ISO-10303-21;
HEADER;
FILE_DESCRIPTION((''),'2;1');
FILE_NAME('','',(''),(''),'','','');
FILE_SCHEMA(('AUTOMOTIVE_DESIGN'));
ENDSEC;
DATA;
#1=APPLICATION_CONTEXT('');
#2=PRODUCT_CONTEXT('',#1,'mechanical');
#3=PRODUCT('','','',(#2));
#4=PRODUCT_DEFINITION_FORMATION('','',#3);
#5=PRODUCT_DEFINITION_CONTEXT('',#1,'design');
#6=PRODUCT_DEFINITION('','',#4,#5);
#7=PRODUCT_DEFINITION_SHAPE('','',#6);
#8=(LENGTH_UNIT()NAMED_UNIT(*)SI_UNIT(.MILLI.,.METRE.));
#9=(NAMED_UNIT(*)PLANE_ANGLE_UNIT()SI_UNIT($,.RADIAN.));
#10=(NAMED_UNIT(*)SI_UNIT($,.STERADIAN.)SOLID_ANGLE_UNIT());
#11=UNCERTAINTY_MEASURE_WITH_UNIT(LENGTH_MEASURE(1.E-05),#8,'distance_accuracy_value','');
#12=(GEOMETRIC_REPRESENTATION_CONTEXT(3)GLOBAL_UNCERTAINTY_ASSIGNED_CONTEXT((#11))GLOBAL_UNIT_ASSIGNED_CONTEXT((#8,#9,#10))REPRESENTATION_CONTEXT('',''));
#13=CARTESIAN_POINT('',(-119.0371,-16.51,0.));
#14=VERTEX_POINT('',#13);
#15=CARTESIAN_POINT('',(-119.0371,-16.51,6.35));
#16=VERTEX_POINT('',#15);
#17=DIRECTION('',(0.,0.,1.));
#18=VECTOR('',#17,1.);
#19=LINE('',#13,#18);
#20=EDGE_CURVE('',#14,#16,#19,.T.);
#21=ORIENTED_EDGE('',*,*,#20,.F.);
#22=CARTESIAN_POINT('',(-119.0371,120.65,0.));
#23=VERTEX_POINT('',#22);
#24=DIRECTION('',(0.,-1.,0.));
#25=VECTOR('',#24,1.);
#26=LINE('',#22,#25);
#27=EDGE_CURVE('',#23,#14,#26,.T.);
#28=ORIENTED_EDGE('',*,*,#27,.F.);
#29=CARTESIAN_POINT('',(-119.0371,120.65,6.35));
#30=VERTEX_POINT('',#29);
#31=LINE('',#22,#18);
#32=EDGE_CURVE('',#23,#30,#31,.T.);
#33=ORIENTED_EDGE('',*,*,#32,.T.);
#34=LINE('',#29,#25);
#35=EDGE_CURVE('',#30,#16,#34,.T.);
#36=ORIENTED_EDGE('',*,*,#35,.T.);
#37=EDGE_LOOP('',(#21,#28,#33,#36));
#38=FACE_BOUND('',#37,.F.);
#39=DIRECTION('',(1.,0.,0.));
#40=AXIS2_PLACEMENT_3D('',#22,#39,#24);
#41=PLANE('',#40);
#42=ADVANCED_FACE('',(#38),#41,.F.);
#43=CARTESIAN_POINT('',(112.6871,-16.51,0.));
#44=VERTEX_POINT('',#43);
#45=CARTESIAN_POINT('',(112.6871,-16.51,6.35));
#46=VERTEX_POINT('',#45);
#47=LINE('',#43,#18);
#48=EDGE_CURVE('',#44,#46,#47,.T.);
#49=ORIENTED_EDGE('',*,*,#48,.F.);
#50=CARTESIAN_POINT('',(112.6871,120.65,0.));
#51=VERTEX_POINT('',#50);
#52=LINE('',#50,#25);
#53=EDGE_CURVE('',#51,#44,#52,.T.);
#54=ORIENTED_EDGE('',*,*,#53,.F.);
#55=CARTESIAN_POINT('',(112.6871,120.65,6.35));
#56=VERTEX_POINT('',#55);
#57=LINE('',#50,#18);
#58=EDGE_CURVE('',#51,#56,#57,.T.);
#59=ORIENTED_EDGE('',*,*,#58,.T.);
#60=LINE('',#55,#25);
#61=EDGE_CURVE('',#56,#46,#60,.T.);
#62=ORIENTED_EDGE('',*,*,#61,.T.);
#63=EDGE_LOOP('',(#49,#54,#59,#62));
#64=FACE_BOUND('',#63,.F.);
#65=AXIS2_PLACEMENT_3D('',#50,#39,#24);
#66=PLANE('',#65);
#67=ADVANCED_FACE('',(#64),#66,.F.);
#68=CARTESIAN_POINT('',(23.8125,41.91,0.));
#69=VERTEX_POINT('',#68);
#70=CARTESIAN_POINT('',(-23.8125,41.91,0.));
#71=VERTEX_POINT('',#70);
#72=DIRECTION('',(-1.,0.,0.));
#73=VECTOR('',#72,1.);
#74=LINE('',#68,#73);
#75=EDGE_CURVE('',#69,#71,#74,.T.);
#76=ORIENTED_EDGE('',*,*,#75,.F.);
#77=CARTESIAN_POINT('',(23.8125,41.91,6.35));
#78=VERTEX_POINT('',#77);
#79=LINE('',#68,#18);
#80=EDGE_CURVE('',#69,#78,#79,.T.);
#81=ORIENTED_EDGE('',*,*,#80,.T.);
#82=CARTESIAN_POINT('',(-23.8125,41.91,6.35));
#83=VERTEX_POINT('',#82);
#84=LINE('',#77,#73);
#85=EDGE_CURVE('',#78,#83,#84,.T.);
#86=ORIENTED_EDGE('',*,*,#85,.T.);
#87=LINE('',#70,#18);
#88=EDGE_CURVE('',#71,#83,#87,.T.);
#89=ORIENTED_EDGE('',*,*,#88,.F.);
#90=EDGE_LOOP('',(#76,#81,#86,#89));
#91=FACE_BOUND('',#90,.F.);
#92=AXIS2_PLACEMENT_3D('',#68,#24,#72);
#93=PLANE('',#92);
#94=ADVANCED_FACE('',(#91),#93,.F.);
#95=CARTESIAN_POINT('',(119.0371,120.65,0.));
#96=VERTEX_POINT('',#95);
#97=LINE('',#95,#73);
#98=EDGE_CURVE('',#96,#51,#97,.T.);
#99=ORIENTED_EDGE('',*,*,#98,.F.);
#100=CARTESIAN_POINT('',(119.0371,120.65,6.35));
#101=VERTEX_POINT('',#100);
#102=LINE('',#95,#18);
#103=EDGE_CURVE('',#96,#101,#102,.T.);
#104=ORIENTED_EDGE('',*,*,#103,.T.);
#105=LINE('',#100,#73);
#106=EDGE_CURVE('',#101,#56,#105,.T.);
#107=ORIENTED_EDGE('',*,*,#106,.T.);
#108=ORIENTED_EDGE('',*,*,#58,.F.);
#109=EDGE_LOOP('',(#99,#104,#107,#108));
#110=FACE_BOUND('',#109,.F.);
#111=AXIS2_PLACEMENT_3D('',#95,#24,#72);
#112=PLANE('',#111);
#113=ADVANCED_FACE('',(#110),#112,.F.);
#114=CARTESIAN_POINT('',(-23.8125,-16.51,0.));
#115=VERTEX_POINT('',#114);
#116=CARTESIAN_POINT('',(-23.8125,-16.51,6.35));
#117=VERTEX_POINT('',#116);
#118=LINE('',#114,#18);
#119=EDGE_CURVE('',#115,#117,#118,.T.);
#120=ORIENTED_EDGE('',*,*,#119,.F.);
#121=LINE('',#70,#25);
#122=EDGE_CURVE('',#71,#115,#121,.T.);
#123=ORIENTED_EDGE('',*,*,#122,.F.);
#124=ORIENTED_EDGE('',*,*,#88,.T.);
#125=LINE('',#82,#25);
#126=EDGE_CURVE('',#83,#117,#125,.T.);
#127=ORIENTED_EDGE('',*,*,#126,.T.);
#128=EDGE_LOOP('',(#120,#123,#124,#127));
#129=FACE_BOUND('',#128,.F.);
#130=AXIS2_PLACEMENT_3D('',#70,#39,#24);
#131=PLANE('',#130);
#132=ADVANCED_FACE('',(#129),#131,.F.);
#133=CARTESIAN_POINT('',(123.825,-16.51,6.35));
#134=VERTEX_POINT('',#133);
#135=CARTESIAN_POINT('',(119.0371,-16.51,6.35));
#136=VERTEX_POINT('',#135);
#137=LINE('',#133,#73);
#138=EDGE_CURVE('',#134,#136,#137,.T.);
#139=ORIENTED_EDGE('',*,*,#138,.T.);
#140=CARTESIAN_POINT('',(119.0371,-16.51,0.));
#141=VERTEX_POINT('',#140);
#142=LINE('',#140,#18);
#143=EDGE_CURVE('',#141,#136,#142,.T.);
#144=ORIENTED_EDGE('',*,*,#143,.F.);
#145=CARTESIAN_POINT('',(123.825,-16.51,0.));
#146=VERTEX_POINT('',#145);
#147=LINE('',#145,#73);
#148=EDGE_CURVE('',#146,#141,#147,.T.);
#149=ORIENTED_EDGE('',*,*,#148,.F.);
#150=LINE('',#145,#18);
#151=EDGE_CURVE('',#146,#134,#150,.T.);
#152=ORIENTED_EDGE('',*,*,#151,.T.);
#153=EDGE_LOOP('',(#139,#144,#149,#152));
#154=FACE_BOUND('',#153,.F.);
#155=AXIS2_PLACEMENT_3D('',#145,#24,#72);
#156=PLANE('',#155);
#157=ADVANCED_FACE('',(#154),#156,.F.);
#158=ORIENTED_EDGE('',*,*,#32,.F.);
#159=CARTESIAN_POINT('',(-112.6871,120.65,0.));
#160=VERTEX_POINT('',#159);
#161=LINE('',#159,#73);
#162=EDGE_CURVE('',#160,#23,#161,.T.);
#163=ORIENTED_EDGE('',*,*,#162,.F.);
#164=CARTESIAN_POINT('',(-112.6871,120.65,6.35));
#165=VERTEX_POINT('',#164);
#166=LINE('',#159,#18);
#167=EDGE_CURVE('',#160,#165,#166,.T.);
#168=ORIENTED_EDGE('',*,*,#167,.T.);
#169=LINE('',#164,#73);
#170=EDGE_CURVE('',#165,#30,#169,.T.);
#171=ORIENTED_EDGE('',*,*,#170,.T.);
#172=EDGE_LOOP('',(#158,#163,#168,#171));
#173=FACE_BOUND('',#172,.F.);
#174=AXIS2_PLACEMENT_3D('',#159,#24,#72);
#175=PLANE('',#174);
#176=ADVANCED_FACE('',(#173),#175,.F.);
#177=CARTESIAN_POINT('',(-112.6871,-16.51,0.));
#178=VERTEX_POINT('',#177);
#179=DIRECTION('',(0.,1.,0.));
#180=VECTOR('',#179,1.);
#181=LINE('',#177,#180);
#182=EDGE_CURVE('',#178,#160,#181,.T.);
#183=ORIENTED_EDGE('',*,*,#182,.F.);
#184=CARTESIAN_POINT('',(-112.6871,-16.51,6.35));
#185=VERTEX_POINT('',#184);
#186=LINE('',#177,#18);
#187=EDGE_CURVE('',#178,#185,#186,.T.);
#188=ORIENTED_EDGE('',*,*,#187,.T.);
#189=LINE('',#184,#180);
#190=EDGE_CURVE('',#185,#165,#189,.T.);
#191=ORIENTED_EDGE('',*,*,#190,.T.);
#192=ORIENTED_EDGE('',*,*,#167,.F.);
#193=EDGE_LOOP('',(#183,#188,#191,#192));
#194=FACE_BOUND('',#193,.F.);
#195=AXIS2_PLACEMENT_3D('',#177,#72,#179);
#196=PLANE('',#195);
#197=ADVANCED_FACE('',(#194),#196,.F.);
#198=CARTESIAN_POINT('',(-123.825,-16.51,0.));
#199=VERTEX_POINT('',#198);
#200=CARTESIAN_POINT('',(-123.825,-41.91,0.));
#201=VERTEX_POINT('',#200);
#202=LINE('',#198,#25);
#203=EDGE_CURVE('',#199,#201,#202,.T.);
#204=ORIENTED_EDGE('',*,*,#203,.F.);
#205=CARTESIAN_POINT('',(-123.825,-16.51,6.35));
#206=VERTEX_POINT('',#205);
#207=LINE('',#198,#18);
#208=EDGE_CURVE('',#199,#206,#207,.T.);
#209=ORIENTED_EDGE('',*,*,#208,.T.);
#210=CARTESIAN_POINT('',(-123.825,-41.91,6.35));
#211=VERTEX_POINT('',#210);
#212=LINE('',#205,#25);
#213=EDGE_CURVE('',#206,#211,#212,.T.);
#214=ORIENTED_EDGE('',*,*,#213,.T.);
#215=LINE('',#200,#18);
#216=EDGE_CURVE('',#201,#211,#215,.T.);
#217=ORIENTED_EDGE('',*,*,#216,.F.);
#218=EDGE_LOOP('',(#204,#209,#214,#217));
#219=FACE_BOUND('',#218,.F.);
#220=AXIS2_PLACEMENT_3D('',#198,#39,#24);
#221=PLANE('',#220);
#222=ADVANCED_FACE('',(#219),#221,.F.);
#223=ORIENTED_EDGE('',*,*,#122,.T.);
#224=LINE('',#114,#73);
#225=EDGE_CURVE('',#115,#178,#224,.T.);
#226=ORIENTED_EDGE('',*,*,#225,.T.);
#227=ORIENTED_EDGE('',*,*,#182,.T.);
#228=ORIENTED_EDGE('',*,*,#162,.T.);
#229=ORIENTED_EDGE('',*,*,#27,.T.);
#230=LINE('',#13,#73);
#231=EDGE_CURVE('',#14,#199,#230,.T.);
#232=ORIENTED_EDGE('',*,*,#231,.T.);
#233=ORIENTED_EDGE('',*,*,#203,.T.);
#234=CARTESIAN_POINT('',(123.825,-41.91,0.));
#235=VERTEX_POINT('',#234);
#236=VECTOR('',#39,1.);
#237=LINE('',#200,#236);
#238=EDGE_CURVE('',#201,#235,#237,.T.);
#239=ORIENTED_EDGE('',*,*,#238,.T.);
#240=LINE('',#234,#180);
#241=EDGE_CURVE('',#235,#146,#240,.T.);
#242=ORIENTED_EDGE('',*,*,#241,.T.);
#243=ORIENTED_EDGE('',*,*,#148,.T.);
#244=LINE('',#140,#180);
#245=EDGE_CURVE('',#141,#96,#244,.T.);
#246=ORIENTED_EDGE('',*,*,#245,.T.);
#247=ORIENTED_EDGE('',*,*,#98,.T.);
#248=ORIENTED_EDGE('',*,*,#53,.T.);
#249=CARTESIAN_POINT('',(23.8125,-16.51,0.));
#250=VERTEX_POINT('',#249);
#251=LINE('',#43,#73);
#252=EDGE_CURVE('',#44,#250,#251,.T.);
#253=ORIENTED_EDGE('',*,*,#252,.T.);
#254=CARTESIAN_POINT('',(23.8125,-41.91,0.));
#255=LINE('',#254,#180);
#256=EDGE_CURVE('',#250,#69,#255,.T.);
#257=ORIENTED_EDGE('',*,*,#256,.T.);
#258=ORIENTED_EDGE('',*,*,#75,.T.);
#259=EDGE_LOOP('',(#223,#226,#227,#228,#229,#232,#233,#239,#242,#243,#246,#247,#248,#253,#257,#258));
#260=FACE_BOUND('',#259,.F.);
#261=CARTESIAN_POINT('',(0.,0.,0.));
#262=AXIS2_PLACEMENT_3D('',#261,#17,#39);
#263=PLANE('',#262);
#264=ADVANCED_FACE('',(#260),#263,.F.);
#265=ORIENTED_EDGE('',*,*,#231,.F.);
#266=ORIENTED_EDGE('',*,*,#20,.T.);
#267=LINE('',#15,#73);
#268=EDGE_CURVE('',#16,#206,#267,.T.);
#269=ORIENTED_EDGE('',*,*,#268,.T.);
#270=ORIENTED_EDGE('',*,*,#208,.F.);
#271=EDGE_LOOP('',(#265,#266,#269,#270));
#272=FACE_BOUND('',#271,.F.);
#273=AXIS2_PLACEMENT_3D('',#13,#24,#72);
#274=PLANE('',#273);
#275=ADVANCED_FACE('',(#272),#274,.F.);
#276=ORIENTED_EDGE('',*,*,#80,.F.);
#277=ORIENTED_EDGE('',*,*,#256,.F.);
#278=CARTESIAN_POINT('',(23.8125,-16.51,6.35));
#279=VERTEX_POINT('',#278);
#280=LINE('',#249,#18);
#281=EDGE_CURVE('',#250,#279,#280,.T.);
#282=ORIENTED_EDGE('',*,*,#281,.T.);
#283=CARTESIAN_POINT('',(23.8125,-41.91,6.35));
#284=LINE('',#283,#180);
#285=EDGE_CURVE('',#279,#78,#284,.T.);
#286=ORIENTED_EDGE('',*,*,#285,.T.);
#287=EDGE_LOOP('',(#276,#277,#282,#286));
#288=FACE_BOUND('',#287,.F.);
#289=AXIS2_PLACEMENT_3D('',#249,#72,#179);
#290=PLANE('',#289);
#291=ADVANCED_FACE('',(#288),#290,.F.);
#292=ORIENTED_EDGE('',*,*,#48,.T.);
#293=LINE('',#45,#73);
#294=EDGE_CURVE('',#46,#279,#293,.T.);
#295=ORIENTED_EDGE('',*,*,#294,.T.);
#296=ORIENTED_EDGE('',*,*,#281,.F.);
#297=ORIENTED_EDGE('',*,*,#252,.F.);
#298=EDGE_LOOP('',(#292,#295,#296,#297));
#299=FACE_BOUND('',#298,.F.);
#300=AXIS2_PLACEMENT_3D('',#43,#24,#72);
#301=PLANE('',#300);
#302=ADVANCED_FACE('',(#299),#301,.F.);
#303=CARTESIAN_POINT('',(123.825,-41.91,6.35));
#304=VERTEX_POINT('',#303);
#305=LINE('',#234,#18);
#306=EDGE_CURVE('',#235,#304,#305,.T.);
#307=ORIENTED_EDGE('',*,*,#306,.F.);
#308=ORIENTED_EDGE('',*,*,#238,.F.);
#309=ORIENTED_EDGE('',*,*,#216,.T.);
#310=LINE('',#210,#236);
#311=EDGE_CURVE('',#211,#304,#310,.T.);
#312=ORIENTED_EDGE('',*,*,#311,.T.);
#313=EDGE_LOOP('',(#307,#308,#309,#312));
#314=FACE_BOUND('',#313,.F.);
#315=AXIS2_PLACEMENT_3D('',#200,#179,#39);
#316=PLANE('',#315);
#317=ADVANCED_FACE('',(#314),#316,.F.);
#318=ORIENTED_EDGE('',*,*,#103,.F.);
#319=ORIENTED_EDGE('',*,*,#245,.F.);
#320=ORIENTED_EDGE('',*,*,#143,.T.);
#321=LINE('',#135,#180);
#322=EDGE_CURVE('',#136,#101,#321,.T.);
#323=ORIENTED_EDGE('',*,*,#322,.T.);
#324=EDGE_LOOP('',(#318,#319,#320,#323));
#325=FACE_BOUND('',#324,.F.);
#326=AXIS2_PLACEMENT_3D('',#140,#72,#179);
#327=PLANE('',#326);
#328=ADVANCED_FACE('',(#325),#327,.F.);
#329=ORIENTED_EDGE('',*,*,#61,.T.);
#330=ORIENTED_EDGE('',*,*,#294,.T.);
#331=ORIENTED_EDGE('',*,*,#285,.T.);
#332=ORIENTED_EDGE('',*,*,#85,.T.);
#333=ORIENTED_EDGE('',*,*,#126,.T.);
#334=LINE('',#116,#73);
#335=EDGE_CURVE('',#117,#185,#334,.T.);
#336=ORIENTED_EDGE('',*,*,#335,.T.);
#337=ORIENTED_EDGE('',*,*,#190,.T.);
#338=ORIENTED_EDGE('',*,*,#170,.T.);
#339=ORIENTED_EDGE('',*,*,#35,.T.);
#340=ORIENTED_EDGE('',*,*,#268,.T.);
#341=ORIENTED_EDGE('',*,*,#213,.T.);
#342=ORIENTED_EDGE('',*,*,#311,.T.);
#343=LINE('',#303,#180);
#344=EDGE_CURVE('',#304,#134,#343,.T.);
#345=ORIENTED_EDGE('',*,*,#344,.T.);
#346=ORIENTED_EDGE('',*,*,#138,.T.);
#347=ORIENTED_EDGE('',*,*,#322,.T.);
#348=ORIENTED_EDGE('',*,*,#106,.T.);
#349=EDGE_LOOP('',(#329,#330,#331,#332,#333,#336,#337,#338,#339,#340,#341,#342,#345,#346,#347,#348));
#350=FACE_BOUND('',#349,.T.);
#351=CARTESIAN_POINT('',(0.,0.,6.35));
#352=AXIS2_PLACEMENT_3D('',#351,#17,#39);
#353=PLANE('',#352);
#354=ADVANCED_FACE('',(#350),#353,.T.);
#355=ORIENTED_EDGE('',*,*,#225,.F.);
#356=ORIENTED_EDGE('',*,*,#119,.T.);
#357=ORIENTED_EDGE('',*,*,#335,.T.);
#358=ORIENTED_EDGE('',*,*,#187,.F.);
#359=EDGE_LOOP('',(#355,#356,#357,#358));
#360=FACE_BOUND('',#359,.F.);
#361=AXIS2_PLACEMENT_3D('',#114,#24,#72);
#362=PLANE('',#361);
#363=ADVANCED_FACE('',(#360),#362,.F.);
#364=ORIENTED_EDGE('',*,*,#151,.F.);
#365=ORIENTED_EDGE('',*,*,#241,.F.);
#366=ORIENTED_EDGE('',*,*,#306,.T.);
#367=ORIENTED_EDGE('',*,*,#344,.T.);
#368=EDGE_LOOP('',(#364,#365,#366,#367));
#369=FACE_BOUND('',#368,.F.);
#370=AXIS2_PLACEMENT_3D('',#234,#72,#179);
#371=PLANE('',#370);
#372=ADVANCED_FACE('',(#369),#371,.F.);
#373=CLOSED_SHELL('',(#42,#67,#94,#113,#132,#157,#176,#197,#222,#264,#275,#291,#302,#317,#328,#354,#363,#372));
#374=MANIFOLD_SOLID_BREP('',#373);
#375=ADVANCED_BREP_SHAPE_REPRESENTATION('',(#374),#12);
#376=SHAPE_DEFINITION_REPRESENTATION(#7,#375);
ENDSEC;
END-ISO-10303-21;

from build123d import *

# Parameters (mm, degrees)
F1_DEPTH = 6.35


with BuildPart() as f1:
    # F0 (on Top) → F1 (new body)
    with BuildSketch(Plane.XY):
        Polygon((23.8125, 41.91), (-23.8125, 41.91), (-23.8125, -16.51), (-23.8125, -41.91), (23.8125, -41.91), (23.8125, -16.51), align=None)
        Polygon((-23.8125, -41.91), (-23.8125, -16.51), (-112.6871, -16.51), (-112.6871, 120.65), (-119.0371, 120.65), (-119.0371, -16.51), (-123.825, -16.51), (-123.825, -41.91), align=None)
        Polygon((112.6871, -16.51), (23.8125, -16.51), (23.8125, -41.91), (123.825, -41.91), (123.825, -16.51), (119.0371, -16.51), (119.0371, 120.65), (112.6871, 120.65), align=None)
    extrude(amount=F1_DEPTH)


solid = f1.part
